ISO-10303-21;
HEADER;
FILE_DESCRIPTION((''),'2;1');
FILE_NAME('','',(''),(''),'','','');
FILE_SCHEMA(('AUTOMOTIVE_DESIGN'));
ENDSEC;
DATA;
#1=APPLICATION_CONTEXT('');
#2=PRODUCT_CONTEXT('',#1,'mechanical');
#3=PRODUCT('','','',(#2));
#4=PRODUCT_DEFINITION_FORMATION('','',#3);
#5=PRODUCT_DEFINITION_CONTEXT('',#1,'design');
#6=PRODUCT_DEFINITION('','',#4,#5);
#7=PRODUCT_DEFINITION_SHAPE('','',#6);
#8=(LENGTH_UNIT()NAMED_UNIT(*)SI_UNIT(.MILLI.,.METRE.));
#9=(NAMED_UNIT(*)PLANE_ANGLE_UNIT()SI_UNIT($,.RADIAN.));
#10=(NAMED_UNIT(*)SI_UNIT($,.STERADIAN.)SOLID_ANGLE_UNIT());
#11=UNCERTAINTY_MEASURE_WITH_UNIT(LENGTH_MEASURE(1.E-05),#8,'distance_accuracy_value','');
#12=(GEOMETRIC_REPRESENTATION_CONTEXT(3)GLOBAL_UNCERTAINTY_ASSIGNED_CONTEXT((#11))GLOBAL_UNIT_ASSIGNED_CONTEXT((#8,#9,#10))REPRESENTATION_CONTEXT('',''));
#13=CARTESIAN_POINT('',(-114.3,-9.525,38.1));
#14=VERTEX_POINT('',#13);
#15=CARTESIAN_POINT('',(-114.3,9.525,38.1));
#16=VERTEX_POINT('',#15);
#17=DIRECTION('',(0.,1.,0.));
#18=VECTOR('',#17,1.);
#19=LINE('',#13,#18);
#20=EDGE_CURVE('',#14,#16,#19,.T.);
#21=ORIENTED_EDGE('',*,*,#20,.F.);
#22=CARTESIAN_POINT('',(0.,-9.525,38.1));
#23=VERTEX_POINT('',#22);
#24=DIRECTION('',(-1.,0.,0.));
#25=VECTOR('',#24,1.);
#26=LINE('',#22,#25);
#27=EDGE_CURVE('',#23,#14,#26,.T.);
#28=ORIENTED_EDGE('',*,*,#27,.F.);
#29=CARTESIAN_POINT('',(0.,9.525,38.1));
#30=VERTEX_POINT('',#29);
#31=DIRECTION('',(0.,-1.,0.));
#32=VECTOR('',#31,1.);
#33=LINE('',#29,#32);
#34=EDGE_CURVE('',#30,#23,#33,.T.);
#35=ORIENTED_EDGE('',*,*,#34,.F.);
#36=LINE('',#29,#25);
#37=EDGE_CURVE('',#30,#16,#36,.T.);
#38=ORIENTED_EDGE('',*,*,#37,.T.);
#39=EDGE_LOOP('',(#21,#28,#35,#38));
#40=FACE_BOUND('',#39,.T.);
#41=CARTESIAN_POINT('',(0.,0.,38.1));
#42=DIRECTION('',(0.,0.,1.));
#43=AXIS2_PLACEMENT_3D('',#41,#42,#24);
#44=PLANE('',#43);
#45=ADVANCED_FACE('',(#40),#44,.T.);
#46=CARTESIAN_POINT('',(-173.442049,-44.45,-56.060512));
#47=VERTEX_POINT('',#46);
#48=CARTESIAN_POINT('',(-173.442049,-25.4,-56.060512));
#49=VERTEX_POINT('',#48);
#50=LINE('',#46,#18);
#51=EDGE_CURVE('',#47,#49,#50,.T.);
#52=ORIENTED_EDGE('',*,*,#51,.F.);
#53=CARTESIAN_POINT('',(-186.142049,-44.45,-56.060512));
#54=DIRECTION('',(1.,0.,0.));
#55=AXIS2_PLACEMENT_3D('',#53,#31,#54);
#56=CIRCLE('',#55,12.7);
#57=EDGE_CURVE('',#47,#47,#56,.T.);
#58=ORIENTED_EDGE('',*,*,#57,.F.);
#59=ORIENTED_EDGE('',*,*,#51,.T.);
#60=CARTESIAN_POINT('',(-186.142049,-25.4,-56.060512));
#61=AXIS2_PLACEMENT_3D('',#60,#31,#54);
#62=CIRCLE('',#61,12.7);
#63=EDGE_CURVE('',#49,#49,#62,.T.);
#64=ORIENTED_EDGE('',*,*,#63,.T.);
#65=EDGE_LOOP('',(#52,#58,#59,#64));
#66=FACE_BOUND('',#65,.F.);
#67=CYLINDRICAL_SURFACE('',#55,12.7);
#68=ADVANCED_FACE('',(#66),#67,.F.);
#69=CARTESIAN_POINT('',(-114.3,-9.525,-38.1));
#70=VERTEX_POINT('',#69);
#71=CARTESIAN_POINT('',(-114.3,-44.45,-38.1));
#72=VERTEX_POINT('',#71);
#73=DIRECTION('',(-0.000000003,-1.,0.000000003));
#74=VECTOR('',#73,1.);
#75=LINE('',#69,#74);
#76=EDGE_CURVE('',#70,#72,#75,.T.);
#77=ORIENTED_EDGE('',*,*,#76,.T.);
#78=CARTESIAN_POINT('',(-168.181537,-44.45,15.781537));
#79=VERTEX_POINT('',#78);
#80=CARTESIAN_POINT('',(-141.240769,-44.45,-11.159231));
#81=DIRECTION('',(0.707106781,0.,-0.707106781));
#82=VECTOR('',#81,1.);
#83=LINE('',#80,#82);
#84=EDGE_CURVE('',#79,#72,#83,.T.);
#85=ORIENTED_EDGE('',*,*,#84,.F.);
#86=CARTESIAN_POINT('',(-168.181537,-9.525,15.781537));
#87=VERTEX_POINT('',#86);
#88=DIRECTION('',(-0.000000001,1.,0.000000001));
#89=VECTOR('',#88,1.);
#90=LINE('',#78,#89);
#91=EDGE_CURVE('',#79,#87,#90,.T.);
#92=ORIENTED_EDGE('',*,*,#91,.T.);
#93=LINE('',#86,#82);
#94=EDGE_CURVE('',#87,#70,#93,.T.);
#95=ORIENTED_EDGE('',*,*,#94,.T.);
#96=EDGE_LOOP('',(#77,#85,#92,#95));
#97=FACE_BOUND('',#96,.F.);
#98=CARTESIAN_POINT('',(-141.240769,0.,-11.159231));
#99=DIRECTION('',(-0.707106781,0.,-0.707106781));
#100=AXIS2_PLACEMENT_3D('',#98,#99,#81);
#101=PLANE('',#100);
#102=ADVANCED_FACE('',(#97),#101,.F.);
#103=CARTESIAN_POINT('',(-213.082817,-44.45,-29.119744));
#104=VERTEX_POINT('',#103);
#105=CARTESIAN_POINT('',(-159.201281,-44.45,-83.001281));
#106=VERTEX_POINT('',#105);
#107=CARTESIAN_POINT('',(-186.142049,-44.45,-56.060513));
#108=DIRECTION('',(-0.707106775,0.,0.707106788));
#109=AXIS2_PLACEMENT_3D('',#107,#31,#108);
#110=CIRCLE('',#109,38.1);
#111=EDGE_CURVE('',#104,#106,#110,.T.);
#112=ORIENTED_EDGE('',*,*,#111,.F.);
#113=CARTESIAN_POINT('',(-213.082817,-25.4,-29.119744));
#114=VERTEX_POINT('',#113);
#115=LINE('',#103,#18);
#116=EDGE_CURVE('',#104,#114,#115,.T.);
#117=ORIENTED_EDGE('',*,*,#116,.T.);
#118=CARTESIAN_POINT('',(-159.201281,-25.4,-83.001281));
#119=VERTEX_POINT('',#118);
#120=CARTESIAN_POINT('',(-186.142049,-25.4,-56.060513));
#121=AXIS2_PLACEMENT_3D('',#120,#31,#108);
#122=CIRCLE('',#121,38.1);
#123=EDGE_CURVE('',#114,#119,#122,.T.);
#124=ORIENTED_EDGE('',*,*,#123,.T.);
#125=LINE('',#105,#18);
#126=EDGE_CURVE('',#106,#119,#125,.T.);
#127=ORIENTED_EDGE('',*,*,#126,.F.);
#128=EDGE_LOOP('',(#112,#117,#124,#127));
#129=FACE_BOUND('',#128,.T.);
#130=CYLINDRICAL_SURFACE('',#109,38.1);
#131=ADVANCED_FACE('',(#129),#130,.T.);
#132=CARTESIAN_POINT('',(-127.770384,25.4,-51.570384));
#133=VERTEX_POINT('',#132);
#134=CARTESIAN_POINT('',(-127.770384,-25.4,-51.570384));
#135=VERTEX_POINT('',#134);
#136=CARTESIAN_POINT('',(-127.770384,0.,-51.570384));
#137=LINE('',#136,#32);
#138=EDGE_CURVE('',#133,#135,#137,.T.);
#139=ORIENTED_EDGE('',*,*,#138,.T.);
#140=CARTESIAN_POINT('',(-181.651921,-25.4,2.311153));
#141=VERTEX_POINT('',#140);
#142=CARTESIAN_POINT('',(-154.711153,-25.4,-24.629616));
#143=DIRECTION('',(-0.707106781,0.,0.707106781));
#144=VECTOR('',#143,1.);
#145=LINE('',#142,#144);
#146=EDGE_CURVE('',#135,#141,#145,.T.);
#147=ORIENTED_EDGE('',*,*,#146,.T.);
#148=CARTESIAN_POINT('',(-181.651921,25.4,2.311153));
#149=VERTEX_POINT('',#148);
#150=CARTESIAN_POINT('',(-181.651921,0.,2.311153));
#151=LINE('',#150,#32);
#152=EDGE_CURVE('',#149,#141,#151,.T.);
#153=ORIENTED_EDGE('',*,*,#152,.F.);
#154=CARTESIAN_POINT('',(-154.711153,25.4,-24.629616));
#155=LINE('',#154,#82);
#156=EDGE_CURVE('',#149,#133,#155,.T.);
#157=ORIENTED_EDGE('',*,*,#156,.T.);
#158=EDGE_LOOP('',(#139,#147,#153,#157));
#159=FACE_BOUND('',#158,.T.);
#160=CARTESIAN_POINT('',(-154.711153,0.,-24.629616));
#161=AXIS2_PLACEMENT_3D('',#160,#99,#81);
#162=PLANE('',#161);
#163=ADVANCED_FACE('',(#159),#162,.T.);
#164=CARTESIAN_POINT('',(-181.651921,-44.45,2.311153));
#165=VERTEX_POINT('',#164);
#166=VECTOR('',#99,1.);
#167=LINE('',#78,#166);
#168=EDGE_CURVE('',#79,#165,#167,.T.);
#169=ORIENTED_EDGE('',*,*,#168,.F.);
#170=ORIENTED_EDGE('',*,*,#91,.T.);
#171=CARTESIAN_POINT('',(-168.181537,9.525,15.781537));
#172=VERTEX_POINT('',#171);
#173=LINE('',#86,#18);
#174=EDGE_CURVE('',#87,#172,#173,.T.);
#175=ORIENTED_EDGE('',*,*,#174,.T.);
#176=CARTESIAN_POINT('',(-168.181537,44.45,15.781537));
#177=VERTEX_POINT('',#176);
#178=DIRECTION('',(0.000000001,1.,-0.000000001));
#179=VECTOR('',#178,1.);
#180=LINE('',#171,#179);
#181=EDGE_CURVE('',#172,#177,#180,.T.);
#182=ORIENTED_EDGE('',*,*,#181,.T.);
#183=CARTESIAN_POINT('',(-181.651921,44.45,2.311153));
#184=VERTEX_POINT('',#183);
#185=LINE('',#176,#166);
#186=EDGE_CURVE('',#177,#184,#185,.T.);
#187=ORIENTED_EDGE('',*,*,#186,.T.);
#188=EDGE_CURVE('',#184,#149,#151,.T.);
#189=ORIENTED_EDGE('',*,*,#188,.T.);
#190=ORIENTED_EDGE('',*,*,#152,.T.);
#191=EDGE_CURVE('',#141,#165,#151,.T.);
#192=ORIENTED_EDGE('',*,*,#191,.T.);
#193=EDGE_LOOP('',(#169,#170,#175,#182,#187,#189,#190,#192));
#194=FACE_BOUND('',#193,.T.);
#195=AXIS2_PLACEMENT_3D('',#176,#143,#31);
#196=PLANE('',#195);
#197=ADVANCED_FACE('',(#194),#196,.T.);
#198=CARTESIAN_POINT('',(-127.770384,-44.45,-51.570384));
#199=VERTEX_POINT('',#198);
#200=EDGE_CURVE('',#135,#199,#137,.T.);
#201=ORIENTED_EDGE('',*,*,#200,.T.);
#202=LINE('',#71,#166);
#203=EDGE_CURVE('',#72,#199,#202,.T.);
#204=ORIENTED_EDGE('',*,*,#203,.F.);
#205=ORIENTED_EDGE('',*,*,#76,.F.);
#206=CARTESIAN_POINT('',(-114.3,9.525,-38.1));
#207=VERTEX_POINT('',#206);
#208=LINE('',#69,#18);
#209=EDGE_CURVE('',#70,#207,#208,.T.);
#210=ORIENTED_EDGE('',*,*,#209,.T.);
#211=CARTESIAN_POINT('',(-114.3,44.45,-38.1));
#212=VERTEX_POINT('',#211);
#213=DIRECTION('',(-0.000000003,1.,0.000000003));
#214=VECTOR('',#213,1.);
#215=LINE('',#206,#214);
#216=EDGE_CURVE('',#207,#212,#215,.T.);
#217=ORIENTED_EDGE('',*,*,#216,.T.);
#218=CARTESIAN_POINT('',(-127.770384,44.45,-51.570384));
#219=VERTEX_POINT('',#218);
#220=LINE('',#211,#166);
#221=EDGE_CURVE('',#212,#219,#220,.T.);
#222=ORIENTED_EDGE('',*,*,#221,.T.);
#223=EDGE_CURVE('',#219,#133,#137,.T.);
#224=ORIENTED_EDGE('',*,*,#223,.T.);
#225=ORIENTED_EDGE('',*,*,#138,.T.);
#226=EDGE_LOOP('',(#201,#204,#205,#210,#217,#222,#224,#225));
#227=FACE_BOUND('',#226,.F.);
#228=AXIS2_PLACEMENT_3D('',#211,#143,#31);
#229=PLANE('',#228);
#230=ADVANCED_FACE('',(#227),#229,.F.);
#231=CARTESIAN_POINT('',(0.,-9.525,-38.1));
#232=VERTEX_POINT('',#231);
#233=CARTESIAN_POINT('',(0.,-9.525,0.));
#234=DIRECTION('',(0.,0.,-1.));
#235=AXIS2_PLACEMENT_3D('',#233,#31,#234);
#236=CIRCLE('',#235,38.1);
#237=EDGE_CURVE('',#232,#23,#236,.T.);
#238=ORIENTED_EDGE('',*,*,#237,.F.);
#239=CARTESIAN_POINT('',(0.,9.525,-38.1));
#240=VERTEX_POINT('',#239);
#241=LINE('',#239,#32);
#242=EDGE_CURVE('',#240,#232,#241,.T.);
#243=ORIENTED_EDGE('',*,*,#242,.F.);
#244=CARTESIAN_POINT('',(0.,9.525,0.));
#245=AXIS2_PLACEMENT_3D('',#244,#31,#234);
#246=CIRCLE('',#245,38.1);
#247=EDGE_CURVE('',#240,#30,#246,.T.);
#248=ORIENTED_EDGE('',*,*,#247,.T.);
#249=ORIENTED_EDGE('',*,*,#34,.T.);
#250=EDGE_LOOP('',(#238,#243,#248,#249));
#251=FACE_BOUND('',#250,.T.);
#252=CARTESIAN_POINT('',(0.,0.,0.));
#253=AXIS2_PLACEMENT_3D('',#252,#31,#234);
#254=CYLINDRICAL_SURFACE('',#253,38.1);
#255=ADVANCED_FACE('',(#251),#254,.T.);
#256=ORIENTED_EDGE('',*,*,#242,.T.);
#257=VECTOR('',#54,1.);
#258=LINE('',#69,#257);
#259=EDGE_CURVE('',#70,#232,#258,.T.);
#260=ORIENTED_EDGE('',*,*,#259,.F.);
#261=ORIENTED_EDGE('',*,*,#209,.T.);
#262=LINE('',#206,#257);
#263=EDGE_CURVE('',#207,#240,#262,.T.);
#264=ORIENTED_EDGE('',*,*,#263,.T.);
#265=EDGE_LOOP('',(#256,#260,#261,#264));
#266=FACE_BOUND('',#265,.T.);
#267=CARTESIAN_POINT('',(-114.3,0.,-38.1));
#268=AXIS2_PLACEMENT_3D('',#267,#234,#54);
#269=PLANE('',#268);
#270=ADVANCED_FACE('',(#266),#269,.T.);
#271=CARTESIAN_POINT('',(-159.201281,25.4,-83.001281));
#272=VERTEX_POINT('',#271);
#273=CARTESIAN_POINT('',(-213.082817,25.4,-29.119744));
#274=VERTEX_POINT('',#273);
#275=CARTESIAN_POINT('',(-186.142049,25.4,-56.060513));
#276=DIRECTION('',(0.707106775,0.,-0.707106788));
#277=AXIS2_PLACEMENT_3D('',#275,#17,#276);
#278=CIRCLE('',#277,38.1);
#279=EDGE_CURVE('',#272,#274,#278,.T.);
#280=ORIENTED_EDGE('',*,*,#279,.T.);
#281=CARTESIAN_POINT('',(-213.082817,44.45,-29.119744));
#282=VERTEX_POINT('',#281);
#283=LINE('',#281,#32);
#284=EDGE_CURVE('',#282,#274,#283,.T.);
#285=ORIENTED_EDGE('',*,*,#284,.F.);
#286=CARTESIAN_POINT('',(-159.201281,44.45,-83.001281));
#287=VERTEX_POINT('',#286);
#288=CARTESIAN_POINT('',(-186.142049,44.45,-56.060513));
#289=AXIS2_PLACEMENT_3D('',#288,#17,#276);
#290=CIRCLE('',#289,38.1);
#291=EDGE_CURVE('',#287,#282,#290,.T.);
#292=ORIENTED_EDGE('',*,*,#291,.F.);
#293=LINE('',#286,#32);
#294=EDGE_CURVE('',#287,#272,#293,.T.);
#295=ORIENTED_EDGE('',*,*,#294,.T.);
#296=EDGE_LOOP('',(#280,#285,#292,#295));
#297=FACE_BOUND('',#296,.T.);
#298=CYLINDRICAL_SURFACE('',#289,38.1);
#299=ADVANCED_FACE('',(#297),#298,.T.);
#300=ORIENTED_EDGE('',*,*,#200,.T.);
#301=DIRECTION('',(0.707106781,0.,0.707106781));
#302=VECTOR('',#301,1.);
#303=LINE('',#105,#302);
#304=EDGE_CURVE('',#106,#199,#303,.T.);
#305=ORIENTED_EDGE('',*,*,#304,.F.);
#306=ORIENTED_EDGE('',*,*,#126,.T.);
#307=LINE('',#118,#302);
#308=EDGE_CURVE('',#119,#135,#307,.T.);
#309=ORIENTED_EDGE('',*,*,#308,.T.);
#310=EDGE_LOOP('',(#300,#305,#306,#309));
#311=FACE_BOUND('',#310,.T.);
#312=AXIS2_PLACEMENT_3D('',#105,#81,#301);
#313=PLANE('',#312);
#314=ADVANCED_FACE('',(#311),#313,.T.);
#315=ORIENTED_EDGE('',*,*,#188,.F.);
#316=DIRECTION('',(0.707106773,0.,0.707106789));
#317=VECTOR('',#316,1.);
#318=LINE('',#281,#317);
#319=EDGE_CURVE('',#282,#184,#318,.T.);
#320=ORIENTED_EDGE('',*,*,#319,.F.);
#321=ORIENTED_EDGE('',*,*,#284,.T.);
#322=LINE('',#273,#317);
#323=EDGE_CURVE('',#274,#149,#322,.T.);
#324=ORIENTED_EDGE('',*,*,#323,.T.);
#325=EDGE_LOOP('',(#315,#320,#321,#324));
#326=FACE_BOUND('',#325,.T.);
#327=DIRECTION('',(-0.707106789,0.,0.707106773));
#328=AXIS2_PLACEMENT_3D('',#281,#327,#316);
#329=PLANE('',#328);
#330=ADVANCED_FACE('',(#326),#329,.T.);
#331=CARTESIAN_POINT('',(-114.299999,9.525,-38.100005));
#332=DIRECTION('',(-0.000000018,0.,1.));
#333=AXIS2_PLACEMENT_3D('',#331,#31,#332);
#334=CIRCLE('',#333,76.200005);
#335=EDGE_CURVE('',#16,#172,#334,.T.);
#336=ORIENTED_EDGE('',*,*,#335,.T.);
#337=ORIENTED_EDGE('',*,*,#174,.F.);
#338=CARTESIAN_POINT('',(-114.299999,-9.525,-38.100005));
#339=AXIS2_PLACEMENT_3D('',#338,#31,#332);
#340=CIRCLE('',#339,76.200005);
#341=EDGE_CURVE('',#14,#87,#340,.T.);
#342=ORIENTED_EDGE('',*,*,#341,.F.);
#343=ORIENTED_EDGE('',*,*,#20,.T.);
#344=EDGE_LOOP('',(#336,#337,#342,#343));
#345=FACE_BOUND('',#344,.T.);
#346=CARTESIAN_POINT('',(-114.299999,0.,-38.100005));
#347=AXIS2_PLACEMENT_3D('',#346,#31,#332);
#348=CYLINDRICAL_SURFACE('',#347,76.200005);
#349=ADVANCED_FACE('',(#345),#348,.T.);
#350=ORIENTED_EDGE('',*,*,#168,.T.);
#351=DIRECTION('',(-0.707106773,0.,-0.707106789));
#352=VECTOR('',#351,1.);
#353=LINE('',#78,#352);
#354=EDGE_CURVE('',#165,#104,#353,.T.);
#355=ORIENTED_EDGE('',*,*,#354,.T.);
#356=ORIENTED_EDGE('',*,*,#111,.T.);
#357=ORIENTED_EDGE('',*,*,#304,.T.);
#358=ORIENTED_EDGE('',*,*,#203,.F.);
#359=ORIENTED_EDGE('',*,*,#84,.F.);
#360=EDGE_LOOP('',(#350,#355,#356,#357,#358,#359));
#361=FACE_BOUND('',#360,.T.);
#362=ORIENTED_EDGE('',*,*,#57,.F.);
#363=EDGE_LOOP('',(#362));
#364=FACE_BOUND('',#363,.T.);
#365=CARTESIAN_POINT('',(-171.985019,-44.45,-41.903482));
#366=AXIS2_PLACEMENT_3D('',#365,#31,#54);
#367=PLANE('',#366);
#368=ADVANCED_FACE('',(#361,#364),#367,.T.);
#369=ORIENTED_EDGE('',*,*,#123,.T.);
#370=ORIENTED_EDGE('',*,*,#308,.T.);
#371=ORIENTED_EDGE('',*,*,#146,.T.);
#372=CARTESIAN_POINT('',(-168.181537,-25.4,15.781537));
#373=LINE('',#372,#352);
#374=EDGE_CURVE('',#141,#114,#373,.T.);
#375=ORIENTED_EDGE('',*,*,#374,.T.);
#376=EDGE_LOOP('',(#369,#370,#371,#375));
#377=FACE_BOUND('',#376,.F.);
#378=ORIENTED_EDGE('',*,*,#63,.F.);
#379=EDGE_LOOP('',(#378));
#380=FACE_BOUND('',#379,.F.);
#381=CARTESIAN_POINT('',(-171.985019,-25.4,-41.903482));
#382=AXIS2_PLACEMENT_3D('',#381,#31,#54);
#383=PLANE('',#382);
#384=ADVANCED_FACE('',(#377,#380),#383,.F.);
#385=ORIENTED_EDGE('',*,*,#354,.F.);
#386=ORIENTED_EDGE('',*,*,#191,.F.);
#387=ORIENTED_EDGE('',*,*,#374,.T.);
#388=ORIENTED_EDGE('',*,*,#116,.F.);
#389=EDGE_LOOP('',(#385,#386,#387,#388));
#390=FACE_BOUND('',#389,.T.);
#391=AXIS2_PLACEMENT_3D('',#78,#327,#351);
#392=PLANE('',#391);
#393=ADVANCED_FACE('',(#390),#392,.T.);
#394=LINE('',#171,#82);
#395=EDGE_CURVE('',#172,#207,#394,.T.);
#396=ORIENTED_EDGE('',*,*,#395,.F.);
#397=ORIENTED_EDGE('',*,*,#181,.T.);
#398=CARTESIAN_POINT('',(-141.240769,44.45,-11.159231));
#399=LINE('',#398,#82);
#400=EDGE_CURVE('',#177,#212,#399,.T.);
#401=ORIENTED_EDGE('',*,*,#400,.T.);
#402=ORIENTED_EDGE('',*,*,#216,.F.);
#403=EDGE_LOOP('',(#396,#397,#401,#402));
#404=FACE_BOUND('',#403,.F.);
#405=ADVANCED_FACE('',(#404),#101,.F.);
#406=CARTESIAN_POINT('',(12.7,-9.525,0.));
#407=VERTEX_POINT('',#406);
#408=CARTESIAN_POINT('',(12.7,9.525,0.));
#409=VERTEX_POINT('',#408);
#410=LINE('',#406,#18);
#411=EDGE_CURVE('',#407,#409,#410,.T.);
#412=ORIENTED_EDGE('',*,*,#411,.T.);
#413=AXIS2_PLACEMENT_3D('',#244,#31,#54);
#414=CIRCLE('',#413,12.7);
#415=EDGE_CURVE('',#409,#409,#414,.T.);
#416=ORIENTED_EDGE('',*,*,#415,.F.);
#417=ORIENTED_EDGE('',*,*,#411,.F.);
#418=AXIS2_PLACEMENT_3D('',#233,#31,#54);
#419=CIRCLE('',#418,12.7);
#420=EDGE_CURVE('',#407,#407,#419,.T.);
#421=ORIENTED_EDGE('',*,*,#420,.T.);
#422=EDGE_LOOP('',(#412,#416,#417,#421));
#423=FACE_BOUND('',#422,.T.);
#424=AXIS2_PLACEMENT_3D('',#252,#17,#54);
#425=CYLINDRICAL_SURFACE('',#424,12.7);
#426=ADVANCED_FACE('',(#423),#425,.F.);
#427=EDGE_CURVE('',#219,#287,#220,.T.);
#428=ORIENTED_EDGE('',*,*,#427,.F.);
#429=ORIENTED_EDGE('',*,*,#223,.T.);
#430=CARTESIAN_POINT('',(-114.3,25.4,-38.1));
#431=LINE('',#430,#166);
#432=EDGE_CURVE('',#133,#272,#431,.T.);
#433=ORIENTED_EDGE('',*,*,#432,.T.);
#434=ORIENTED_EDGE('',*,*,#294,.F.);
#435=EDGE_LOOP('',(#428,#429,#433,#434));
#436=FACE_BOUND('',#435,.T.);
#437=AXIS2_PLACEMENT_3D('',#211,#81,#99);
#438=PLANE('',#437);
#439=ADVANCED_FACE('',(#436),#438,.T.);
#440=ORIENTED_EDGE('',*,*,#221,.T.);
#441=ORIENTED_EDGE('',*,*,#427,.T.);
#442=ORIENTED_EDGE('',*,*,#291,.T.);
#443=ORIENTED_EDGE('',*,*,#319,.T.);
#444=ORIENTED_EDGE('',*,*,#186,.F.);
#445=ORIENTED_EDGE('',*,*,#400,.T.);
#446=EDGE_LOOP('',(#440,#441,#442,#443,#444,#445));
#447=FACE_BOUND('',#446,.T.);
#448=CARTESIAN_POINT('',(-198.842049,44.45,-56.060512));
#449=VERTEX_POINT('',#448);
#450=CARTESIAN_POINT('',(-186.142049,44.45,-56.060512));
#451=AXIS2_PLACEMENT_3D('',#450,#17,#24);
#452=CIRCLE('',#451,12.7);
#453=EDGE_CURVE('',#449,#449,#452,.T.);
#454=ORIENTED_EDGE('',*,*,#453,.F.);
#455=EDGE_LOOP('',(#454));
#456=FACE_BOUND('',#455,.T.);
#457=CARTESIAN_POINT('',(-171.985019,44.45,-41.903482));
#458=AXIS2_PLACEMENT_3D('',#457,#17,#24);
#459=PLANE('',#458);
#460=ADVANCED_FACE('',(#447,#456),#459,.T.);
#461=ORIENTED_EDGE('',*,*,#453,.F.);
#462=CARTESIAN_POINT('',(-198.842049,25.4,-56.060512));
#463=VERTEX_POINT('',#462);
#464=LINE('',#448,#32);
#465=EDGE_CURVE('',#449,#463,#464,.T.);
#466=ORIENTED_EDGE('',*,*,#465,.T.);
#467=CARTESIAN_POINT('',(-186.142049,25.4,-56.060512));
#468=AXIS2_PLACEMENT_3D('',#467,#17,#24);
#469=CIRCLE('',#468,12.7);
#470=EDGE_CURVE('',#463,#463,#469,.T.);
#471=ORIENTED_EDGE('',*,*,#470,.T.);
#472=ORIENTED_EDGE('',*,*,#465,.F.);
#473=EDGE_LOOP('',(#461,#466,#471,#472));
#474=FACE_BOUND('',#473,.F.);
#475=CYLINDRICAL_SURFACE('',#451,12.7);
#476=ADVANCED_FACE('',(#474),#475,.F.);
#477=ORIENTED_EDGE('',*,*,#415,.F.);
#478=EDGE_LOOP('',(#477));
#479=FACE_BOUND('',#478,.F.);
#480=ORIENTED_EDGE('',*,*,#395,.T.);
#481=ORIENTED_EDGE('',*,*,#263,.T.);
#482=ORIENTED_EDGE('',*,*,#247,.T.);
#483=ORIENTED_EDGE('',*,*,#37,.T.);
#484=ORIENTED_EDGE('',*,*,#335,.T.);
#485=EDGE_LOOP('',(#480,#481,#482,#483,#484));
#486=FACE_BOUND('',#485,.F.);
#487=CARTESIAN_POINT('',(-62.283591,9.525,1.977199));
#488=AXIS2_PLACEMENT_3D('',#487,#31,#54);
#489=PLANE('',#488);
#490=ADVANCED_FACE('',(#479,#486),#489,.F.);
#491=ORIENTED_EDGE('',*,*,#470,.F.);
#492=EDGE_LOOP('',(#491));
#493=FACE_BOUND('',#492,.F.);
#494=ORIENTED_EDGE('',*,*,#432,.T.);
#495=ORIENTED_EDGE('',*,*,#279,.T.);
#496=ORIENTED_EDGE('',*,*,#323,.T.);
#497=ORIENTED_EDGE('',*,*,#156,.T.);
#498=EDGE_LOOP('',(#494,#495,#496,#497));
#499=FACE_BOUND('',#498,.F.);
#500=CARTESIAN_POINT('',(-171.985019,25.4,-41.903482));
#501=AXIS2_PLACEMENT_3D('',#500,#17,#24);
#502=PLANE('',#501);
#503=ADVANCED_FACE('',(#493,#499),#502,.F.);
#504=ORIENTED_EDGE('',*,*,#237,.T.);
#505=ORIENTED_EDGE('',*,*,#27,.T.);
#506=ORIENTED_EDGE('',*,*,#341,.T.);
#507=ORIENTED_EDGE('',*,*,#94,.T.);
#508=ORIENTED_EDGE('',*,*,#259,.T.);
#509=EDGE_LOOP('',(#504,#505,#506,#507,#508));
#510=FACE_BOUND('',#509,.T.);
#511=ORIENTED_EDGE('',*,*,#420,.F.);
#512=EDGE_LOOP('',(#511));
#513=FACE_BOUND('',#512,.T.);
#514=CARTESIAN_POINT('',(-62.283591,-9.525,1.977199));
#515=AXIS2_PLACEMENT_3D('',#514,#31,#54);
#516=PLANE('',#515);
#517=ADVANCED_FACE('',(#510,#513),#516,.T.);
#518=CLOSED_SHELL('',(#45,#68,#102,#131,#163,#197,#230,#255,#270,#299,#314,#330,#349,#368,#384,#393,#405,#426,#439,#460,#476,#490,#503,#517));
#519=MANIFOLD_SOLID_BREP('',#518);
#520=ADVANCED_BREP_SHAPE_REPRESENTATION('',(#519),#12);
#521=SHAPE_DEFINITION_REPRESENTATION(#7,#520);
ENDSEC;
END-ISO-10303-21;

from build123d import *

# Parameters (mm, degrees)
F0_R     = 12.7
F1_DEPTH = 9.525
F2_W     = 76.2
F2_H     = 88.9
F3_DEPTH = 19.05
F4_R     = 12.7
F5_DEPTH = 19.05
F6_R     = 12.7
F7_DEPTH = 19.05


with BuildPart() as f1:
    # F0 (on Front) → F1 (new body, symmetric)
    with BuildSketch(Plane.XZ):
        with BuildLine():
            Line((-114.3, -38.1), (0, -38.1))
            ThreePointArc((0, -38.1), (38.1, 0), (0, 38.1))
            Line((0, 38.1), (-114.3, 38.1))
            ThreePointArc((-114.3, 38.1), (-143.460478, 32.29962), (-168.181537, 15.781537))
            Line((-168.181537, 15.781537), (-114.3, -38.1))
        make_face()
        Circle(F0_R, mode=Mode.SUBTRACT)
    extrude(amount=F1_DEPTH, both=True)

    # F2 (on face) → F3 (join)
    with BuildSketch(Plane(origin=(-76.2, 0, -76.2), x_dir=(0.707107, 0, -0.707107), z_dir=(-0.707107, 0, -0.707107))):
        with Locations((-91.981537, 0)):
            Rectangle(F2_W, F2_H)
    extrude(amount=F3_DEPTH)

    # F4 (on face) → F5 (join)
    with BuildSketch(Plane.XZ.offset(44.45)):
        with BuildLine():
            ThreePointArc((-213.082817, -29.119744), (-213.082817, -83.001281), (-159.201281, -83.001281))
            Line((-159.201281, -83.001281), (-114.3, -38.1))
            Line((-114.3, -38.1), (-168.181537, 15.781537))
            Line((-168.181537, 15.781537), (-213.082817, -29.119744))
        make_face()
        with Locations((-186.142049, -56.060512)):
            Circle(F4_R, mode=Mode.SUBTRACT)
    extrude(amount=-F5_DEPTH)

    # F6 (on face) → F7 (join)
    with BuildSketch(Plane(origin=(0, 44.45, 0), x_dir=(-1, 0, 0), z_dir=(0, 1, 0))):
        with BuildLine():
            Line((213.082817, -29.119744), (168.181537, 15.781537))
            Line((168.181537, 15.781537), (114.3, -38.1))
            Line((114.3, -38.1), (159.201281, -83.001281))
            ThreePointArc((159.201281, -83.001281), (213.082817, -83.001281), (213.082817, -29.119744))
        make_face()
        with Locations((186.142049, -56.060512)):
            Circle(F6_R, mode=Mode.SUBTRACT)
    extrude(amount=-F7_DEPTH)


solid = f1.part
